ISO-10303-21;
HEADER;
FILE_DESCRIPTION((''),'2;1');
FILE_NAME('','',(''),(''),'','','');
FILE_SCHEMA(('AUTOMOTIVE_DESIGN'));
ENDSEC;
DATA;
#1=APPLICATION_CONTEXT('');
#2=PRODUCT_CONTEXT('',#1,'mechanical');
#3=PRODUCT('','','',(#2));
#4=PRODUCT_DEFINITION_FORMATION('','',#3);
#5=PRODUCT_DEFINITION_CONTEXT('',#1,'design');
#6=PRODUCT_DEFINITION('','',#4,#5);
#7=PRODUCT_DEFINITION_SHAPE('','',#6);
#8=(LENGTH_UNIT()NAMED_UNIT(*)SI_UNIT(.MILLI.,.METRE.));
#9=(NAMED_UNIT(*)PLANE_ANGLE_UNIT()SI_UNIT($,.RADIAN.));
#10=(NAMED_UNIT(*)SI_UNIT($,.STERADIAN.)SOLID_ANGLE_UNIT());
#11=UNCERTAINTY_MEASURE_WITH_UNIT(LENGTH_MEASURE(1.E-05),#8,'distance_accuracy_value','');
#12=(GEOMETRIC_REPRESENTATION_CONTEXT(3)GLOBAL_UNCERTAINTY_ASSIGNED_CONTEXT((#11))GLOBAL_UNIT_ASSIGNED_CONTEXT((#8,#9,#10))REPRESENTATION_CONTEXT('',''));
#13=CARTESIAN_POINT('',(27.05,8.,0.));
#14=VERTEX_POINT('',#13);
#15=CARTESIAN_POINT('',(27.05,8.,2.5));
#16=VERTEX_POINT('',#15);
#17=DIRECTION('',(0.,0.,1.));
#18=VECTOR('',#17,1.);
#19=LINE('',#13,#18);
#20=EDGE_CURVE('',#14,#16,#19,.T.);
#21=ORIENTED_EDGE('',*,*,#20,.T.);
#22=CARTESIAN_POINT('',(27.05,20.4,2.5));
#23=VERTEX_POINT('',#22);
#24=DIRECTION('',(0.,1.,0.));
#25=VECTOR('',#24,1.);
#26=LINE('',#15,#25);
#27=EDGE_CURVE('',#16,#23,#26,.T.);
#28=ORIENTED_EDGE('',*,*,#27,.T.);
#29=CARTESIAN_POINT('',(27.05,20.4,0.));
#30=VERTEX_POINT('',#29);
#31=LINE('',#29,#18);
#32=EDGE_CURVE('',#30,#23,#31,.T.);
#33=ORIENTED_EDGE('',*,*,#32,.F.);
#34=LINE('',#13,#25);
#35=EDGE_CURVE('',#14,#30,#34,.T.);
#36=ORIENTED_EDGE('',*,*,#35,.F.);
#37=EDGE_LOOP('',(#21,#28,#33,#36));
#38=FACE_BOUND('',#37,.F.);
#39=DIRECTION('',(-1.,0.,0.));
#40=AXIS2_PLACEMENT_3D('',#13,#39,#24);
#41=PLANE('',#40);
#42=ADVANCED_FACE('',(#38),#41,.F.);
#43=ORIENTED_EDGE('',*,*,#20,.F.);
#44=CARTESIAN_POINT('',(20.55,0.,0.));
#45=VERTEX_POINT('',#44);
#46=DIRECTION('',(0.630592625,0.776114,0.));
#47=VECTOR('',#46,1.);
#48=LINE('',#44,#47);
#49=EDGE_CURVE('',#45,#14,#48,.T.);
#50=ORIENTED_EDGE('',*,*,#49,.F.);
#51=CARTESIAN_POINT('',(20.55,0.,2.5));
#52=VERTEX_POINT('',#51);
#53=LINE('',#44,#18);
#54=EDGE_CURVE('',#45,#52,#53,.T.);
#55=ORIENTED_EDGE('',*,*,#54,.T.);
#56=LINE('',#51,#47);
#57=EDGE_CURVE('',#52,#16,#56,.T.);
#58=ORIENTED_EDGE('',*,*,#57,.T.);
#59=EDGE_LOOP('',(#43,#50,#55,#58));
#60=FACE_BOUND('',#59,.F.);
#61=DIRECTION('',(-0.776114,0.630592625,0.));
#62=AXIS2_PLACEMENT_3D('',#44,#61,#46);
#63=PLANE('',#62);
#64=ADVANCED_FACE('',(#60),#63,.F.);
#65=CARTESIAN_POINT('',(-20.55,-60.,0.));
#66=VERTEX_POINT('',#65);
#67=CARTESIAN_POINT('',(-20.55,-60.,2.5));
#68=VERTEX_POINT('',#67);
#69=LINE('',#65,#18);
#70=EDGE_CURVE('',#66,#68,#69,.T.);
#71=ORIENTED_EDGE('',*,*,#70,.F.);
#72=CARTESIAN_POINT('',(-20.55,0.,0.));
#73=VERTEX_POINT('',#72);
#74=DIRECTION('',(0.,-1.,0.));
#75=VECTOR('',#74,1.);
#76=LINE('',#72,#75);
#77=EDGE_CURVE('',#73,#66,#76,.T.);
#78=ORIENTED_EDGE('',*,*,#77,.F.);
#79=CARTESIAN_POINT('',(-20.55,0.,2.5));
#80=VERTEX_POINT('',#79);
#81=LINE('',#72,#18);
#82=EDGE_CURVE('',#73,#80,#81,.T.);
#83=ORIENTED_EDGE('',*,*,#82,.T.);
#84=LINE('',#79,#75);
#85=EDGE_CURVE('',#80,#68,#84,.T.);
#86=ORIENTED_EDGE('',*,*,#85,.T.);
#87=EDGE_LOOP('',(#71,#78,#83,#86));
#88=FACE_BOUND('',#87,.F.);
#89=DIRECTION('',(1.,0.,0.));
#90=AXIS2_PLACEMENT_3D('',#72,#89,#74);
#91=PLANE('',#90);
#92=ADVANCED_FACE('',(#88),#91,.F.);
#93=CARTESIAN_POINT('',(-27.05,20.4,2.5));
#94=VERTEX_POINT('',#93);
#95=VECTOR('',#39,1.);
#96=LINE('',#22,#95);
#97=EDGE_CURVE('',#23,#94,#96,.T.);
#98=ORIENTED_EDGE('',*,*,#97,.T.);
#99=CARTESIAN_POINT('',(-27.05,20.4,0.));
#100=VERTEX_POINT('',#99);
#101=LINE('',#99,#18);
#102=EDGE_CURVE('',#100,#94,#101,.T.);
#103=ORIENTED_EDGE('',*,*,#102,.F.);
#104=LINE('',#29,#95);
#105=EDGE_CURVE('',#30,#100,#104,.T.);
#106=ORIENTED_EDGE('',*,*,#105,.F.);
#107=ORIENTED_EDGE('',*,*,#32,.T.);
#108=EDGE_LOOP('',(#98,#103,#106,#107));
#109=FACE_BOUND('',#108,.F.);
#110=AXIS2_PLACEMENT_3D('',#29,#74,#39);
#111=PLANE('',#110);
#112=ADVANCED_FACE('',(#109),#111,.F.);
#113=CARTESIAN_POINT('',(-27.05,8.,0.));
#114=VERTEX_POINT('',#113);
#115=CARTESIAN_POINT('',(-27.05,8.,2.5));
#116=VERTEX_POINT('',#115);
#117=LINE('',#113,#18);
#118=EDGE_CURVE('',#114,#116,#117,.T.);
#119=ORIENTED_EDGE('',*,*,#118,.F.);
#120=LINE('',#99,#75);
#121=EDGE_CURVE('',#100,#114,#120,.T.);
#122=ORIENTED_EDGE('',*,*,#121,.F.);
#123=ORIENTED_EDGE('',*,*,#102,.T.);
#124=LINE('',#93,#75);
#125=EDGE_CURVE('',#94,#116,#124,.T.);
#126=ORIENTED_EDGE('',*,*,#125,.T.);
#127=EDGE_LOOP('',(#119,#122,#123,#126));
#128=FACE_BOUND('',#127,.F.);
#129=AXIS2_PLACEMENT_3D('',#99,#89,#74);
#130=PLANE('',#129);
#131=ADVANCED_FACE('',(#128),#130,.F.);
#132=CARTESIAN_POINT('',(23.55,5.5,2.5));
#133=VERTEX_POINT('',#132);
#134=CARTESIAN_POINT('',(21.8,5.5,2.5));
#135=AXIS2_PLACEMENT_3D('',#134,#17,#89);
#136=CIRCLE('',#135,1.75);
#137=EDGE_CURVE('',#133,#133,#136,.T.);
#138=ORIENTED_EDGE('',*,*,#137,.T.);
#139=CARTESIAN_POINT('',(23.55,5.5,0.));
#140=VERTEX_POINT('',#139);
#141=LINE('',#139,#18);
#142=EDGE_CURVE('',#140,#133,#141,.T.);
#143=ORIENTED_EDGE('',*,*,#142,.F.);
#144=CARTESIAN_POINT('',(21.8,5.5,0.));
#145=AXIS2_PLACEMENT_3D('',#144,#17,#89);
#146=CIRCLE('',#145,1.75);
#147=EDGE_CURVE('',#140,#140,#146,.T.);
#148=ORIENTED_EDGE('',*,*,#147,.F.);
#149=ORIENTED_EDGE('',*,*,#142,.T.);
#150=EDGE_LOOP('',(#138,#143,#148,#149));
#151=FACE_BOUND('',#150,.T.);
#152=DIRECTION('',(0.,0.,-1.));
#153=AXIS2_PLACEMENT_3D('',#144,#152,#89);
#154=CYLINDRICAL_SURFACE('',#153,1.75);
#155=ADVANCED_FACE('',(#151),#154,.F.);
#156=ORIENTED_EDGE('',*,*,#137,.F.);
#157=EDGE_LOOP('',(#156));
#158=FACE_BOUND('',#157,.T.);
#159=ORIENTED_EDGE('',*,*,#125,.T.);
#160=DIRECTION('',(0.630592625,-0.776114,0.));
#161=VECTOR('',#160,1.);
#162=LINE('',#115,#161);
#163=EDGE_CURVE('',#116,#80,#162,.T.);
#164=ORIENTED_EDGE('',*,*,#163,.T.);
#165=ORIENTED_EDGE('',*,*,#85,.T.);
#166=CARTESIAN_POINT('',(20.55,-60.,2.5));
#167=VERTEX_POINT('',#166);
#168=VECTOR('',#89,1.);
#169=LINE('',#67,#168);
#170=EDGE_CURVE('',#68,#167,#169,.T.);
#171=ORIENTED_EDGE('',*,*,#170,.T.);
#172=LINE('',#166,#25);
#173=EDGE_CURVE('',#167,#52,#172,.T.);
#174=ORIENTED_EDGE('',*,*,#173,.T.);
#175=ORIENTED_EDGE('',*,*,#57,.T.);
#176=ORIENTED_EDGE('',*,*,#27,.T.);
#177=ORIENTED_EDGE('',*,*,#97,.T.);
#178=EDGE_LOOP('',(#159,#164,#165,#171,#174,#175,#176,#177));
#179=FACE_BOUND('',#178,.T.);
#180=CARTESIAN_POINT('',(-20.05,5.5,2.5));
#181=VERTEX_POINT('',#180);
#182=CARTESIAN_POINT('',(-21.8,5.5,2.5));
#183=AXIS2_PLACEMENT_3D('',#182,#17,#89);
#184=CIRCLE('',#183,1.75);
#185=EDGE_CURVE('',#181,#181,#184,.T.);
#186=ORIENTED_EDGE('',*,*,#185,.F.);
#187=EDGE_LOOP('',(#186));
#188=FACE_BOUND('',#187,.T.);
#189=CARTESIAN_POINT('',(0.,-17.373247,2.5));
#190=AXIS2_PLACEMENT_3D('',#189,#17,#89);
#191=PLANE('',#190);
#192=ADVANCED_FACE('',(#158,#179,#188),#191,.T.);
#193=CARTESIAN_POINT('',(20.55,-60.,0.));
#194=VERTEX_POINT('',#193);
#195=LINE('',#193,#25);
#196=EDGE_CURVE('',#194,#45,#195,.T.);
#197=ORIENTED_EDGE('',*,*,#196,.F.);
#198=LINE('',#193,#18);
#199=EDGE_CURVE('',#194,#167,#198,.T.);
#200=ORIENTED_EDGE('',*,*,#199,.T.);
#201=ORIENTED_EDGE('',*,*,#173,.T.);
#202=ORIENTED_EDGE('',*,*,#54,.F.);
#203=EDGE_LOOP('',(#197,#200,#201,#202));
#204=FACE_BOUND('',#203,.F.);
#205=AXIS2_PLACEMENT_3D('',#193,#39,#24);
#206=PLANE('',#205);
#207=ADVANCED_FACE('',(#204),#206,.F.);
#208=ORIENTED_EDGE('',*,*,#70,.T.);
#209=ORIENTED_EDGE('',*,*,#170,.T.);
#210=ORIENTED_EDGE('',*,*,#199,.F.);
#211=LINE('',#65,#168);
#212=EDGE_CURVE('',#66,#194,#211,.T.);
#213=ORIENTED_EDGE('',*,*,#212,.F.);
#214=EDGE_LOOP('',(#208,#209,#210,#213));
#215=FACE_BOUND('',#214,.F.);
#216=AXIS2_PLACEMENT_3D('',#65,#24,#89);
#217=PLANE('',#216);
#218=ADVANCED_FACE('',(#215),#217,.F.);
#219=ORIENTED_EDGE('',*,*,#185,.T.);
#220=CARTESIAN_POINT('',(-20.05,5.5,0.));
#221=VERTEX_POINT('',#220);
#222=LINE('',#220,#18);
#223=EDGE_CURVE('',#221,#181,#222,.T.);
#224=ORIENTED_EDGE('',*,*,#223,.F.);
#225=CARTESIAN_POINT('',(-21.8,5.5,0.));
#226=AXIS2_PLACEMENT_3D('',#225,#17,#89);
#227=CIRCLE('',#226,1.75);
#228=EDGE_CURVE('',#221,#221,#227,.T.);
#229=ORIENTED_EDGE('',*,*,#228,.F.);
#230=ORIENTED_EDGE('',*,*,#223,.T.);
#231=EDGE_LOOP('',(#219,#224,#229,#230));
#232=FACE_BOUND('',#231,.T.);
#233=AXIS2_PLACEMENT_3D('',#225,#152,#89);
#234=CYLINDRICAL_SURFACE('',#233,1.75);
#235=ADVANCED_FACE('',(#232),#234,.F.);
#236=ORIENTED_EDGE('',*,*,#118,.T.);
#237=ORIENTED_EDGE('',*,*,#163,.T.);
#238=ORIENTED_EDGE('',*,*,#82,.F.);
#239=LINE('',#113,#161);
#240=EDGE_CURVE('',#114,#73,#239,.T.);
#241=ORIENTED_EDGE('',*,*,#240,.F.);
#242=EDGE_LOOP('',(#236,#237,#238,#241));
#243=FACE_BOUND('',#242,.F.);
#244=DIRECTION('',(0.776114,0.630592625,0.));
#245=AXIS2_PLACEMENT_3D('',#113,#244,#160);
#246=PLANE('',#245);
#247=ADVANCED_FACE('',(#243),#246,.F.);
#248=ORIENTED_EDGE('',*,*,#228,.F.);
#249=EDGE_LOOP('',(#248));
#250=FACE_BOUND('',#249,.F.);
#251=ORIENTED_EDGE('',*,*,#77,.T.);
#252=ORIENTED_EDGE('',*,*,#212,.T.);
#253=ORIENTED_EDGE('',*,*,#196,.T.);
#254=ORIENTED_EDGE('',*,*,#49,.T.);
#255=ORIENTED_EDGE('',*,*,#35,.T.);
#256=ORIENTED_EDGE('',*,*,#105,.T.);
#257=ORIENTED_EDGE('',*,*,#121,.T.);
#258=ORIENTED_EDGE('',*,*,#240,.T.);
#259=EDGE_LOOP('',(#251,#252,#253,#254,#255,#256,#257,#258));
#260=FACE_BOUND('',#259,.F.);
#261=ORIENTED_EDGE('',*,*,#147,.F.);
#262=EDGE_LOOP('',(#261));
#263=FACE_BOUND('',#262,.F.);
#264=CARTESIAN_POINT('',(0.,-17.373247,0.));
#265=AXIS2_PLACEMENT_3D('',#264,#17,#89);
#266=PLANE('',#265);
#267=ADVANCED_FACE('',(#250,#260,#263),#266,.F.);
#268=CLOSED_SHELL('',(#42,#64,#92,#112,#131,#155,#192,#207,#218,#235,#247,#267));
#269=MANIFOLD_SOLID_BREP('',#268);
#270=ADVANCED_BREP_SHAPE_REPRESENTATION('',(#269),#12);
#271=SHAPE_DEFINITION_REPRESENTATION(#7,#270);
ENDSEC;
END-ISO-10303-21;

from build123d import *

# Parameters (mm, degrees)
F0_R     = 1.75
F1_DEPTH = 2.5


with BuildPart() as f1:
    # F0 (on Top) → F1 (new body)
    with BuildSketch(Plane.XY):
        Polygon((-27.05, 8), (-20.55, 0), (-20.55, -60), (0, -60), (20.55, -60), (20.55, 0), (27.05, 8), (27.05, 20.4), (0, 20.4), (-27.05, 20.4), align=None)
        with Locations((-21.8, 5.5)):
            Circle(F0_R, mode=Mode.SUBTRACT)
        with Locations((21.8, 5.5)):
            Circle(F0_R, mode=Mode.SUBTRACT)
    extrude(amount=F1_DEPTH)


solid = f1.part
